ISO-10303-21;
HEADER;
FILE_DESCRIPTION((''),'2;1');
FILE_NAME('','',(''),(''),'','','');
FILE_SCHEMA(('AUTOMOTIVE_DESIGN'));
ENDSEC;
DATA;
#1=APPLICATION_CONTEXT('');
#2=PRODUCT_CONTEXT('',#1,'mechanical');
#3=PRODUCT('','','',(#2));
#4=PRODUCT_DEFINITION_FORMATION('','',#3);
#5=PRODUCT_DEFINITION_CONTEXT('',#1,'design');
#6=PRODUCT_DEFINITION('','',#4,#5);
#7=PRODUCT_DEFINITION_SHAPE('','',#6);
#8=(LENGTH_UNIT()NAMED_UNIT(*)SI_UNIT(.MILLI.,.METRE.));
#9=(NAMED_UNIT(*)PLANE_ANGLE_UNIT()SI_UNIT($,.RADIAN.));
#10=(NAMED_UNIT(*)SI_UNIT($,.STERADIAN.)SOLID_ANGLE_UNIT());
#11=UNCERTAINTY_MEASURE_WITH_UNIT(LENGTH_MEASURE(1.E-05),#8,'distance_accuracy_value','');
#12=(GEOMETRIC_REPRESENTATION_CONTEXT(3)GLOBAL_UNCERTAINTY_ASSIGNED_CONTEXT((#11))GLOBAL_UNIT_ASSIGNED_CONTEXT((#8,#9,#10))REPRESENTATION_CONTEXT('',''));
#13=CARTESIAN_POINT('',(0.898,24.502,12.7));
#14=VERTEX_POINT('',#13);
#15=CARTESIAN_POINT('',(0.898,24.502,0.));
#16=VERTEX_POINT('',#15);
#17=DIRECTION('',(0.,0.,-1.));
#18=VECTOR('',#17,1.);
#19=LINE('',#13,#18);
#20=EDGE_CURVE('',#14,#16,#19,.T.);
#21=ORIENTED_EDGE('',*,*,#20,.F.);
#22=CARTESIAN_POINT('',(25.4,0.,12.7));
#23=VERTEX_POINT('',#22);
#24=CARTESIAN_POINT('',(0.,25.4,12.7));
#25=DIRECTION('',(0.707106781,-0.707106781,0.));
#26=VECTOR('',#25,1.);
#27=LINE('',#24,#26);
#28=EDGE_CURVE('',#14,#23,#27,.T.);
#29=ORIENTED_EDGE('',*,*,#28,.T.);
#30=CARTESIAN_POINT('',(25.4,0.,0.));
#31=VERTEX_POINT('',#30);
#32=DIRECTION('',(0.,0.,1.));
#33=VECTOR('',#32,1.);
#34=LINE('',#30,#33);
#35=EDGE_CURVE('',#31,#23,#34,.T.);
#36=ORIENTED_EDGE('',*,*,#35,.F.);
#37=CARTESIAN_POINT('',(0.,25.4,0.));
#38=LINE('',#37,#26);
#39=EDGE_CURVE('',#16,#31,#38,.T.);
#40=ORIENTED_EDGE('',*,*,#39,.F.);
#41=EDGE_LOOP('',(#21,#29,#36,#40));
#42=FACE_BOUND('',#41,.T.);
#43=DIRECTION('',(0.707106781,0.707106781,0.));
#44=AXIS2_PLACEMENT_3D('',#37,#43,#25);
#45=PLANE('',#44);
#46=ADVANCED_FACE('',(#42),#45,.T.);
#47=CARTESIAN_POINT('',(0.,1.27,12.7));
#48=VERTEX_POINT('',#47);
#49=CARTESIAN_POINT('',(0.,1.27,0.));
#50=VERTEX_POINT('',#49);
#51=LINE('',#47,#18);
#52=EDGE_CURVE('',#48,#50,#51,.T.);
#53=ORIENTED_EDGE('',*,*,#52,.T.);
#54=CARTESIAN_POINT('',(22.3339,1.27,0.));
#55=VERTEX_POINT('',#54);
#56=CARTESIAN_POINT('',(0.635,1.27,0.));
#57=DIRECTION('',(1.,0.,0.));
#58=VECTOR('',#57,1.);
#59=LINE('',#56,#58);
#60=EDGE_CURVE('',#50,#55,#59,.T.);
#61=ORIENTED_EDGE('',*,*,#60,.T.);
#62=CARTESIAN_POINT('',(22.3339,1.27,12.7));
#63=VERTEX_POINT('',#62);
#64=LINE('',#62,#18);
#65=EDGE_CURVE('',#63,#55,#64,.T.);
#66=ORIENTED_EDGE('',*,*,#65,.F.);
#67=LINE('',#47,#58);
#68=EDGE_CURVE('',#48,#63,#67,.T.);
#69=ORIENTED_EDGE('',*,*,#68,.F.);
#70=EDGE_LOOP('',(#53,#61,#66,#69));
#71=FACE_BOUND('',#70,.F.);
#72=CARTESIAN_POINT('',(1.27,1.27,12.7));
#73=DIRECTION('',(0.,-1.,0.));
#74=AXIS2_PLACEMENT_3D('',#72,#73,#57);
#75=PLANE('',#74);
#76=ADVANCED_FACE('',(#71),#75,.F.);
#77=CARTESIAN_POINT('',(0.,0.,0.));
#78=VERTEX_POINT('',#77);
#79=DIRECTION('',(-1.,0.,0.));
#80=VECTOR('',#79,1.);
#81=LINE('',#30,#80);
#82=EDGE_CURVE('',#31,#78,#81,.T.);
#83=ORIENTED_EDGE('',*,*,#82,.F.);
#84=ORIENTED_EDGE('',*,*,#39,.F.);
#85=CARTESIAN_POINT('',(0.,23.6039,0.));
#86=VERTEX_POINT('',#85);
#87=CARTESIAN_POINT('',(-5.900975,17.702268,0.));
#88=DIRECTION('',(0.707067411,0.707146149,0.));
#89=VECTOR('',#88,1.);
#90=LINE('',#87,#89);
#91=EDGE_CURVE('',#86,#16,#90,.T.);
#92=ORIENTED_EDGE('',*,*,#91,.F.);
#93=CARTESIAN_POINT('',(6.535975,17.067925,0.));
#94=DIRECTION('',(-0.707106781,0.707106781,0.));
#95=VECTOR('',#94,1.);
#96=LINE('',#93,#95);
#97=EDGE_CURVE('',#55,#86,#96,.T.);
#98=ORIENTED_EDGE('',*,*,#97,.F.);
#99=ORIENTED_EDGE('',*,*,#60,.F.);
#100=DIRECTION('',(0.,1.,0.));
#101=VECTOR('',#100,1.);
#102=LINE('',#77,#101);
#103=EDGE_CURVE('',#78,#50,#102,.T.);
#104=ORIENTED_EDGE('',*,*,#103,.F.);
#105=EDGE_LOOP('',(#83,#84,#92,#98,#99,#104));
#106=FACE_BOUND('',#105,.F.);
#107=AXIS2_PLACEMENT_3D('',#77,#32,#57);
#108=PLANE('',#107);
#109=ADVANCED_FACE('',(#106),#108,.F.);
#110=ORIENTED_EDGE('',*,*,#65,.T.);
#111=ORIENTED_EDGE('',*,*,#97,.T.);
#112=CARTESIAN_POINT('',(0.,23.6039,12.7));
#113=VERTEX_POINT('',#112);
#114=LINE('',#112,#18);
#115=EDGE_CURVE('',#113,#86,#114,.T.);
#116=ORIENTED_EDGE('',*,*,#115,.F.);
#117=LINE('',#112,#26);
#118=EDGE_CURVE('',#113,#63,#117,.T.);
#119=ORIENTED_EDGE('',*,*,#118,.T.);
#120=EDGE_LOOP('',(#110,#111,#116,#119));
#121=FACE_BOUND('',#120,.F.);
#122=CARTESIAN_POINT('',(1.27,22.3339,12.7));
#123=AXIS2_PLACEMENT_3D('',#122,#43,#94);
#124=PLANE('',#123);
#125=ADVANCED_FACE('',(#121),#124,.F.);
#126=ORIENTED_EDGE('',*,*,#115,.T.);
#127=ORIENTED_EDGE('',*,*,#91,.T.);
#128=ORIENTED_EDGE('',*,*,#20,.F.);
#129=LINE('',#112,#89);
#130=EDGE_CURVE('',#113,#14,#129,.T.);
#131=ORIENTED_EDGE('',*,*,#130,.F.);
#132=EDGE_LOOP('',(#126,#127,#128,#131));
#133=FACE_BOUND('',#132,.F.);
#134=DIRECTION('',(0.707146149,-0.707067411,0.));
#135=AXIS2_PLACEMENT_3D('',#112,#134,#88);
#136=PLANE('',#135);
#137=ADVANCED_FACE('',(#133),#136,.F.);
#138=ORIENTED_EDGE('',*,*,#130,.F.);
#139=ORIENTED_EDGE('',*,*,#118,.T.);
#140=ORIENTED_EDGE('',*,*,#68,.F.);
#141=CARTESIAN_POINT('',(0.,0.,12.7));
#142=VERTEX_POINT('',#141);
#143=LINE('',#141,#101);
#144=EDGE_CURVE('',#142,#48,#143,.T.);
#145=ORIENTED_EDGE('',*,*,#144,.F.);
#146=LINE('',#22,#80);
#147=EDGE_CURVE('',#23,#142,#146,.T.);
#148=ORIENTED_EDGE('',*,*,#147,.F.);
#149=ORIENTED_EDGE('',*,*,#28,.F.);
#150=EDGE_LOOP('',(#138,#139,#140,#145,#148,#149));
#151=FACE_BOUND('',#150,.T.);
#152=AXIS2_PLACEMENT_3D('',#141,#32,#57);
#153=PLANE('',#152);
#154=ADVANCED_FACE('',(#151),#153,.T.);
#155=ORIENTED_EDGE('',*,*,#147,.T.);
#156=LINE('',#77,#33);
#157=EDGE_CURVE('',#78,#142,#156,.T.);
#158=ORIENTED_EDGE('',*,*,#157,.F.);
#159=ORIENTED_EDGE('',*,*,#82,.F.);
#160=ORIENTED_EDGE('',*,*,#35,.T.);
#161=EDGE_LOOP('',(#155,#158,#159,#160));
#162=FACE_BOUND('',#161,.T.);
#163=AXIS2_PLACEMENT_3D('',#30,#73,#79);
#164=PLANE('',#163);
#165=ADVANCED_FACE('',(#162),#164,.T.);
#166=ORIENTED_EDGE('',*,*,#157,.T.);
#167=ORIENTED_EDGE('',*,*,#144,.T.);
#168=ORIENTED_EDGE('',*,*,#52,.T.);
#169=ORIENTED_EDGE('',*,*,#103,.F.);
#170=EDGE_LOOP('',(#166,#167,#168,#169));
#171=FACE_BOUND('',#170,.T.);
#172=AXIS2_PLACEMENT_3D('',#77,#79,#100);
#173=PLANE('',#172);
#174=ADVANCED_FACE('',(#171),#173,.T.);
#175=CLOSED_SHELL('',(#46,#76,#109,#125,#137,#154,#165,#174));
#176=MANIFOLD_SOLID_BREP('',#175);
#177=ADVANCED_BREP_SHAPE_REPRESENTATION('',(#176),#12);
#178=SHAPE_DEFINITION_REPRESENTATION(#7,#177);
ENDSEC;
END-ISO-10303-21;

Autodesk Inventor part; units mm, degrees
ref_plane "YZ Plane" through (0, 0, 0) normal (1, 0, 0) x (0, 1, 0)
ref_plane "XZ Plane" through (0, 0, 0) normal (0, 1, 0) x (-1, 0, 0)
ref_plane "XY Plane" through (0, 0, 0) normal (0, 0, 1) x (1, 0, 0)
sketch "Sketch1" plane through (0, 0, 0) normal (0, 0, 1) x (1, 0, 0)
  line L0 (0, 0) -> (0, 25.4)
  line L1 (0, 25.4) -> (25.4, 0)
  line L2 (25.4, 0) -> (0, 0)
  dimension "d0" = 25.4
  dimension "d1" = 25.4
extrude "Extrusion1" add sketch "Sketch1" along normal blind 12.7
sketch "Sketch2" plane through (0, 0, 12.7) normal (0, 0, 1) x (1, 0, 0)
  line L0 (0, 25.4) -> (0, 0) projected
  line L1 (0, 0) -> (25.4, 0) projected
  line L2 (25.4, 0) -> (0, 25.4) projected
  line L3 (1.27, 1.27) -> (22.3339, 1.27)
  line L4 (22.3339, 1.27) -> (1.27, 22.3339)
  line L5 (1.27, 1.27) -> (0, 1.27)
  line L6 (1.27, 22.3339) -> (0, 23.6039)
  line L7 (0, 23.6039) -> (0.898, 24.502)
  line L8 (0, 1.27) -> (0, 23.6039)
  line L9 (0, 23.6039) -> (0, 25.4)
  line L10 (0, 25.4) -> (0.898, 24.502)
  dimension "d4" = 1.27
extrude "Extrusion2" cut sketch "Sketch2" against normal blind 25.4 contours L2 L7 L0 | L6 L4 L3 L5 L0
properties part number "Reinforcer_Front" material "Aluminum 6061"
